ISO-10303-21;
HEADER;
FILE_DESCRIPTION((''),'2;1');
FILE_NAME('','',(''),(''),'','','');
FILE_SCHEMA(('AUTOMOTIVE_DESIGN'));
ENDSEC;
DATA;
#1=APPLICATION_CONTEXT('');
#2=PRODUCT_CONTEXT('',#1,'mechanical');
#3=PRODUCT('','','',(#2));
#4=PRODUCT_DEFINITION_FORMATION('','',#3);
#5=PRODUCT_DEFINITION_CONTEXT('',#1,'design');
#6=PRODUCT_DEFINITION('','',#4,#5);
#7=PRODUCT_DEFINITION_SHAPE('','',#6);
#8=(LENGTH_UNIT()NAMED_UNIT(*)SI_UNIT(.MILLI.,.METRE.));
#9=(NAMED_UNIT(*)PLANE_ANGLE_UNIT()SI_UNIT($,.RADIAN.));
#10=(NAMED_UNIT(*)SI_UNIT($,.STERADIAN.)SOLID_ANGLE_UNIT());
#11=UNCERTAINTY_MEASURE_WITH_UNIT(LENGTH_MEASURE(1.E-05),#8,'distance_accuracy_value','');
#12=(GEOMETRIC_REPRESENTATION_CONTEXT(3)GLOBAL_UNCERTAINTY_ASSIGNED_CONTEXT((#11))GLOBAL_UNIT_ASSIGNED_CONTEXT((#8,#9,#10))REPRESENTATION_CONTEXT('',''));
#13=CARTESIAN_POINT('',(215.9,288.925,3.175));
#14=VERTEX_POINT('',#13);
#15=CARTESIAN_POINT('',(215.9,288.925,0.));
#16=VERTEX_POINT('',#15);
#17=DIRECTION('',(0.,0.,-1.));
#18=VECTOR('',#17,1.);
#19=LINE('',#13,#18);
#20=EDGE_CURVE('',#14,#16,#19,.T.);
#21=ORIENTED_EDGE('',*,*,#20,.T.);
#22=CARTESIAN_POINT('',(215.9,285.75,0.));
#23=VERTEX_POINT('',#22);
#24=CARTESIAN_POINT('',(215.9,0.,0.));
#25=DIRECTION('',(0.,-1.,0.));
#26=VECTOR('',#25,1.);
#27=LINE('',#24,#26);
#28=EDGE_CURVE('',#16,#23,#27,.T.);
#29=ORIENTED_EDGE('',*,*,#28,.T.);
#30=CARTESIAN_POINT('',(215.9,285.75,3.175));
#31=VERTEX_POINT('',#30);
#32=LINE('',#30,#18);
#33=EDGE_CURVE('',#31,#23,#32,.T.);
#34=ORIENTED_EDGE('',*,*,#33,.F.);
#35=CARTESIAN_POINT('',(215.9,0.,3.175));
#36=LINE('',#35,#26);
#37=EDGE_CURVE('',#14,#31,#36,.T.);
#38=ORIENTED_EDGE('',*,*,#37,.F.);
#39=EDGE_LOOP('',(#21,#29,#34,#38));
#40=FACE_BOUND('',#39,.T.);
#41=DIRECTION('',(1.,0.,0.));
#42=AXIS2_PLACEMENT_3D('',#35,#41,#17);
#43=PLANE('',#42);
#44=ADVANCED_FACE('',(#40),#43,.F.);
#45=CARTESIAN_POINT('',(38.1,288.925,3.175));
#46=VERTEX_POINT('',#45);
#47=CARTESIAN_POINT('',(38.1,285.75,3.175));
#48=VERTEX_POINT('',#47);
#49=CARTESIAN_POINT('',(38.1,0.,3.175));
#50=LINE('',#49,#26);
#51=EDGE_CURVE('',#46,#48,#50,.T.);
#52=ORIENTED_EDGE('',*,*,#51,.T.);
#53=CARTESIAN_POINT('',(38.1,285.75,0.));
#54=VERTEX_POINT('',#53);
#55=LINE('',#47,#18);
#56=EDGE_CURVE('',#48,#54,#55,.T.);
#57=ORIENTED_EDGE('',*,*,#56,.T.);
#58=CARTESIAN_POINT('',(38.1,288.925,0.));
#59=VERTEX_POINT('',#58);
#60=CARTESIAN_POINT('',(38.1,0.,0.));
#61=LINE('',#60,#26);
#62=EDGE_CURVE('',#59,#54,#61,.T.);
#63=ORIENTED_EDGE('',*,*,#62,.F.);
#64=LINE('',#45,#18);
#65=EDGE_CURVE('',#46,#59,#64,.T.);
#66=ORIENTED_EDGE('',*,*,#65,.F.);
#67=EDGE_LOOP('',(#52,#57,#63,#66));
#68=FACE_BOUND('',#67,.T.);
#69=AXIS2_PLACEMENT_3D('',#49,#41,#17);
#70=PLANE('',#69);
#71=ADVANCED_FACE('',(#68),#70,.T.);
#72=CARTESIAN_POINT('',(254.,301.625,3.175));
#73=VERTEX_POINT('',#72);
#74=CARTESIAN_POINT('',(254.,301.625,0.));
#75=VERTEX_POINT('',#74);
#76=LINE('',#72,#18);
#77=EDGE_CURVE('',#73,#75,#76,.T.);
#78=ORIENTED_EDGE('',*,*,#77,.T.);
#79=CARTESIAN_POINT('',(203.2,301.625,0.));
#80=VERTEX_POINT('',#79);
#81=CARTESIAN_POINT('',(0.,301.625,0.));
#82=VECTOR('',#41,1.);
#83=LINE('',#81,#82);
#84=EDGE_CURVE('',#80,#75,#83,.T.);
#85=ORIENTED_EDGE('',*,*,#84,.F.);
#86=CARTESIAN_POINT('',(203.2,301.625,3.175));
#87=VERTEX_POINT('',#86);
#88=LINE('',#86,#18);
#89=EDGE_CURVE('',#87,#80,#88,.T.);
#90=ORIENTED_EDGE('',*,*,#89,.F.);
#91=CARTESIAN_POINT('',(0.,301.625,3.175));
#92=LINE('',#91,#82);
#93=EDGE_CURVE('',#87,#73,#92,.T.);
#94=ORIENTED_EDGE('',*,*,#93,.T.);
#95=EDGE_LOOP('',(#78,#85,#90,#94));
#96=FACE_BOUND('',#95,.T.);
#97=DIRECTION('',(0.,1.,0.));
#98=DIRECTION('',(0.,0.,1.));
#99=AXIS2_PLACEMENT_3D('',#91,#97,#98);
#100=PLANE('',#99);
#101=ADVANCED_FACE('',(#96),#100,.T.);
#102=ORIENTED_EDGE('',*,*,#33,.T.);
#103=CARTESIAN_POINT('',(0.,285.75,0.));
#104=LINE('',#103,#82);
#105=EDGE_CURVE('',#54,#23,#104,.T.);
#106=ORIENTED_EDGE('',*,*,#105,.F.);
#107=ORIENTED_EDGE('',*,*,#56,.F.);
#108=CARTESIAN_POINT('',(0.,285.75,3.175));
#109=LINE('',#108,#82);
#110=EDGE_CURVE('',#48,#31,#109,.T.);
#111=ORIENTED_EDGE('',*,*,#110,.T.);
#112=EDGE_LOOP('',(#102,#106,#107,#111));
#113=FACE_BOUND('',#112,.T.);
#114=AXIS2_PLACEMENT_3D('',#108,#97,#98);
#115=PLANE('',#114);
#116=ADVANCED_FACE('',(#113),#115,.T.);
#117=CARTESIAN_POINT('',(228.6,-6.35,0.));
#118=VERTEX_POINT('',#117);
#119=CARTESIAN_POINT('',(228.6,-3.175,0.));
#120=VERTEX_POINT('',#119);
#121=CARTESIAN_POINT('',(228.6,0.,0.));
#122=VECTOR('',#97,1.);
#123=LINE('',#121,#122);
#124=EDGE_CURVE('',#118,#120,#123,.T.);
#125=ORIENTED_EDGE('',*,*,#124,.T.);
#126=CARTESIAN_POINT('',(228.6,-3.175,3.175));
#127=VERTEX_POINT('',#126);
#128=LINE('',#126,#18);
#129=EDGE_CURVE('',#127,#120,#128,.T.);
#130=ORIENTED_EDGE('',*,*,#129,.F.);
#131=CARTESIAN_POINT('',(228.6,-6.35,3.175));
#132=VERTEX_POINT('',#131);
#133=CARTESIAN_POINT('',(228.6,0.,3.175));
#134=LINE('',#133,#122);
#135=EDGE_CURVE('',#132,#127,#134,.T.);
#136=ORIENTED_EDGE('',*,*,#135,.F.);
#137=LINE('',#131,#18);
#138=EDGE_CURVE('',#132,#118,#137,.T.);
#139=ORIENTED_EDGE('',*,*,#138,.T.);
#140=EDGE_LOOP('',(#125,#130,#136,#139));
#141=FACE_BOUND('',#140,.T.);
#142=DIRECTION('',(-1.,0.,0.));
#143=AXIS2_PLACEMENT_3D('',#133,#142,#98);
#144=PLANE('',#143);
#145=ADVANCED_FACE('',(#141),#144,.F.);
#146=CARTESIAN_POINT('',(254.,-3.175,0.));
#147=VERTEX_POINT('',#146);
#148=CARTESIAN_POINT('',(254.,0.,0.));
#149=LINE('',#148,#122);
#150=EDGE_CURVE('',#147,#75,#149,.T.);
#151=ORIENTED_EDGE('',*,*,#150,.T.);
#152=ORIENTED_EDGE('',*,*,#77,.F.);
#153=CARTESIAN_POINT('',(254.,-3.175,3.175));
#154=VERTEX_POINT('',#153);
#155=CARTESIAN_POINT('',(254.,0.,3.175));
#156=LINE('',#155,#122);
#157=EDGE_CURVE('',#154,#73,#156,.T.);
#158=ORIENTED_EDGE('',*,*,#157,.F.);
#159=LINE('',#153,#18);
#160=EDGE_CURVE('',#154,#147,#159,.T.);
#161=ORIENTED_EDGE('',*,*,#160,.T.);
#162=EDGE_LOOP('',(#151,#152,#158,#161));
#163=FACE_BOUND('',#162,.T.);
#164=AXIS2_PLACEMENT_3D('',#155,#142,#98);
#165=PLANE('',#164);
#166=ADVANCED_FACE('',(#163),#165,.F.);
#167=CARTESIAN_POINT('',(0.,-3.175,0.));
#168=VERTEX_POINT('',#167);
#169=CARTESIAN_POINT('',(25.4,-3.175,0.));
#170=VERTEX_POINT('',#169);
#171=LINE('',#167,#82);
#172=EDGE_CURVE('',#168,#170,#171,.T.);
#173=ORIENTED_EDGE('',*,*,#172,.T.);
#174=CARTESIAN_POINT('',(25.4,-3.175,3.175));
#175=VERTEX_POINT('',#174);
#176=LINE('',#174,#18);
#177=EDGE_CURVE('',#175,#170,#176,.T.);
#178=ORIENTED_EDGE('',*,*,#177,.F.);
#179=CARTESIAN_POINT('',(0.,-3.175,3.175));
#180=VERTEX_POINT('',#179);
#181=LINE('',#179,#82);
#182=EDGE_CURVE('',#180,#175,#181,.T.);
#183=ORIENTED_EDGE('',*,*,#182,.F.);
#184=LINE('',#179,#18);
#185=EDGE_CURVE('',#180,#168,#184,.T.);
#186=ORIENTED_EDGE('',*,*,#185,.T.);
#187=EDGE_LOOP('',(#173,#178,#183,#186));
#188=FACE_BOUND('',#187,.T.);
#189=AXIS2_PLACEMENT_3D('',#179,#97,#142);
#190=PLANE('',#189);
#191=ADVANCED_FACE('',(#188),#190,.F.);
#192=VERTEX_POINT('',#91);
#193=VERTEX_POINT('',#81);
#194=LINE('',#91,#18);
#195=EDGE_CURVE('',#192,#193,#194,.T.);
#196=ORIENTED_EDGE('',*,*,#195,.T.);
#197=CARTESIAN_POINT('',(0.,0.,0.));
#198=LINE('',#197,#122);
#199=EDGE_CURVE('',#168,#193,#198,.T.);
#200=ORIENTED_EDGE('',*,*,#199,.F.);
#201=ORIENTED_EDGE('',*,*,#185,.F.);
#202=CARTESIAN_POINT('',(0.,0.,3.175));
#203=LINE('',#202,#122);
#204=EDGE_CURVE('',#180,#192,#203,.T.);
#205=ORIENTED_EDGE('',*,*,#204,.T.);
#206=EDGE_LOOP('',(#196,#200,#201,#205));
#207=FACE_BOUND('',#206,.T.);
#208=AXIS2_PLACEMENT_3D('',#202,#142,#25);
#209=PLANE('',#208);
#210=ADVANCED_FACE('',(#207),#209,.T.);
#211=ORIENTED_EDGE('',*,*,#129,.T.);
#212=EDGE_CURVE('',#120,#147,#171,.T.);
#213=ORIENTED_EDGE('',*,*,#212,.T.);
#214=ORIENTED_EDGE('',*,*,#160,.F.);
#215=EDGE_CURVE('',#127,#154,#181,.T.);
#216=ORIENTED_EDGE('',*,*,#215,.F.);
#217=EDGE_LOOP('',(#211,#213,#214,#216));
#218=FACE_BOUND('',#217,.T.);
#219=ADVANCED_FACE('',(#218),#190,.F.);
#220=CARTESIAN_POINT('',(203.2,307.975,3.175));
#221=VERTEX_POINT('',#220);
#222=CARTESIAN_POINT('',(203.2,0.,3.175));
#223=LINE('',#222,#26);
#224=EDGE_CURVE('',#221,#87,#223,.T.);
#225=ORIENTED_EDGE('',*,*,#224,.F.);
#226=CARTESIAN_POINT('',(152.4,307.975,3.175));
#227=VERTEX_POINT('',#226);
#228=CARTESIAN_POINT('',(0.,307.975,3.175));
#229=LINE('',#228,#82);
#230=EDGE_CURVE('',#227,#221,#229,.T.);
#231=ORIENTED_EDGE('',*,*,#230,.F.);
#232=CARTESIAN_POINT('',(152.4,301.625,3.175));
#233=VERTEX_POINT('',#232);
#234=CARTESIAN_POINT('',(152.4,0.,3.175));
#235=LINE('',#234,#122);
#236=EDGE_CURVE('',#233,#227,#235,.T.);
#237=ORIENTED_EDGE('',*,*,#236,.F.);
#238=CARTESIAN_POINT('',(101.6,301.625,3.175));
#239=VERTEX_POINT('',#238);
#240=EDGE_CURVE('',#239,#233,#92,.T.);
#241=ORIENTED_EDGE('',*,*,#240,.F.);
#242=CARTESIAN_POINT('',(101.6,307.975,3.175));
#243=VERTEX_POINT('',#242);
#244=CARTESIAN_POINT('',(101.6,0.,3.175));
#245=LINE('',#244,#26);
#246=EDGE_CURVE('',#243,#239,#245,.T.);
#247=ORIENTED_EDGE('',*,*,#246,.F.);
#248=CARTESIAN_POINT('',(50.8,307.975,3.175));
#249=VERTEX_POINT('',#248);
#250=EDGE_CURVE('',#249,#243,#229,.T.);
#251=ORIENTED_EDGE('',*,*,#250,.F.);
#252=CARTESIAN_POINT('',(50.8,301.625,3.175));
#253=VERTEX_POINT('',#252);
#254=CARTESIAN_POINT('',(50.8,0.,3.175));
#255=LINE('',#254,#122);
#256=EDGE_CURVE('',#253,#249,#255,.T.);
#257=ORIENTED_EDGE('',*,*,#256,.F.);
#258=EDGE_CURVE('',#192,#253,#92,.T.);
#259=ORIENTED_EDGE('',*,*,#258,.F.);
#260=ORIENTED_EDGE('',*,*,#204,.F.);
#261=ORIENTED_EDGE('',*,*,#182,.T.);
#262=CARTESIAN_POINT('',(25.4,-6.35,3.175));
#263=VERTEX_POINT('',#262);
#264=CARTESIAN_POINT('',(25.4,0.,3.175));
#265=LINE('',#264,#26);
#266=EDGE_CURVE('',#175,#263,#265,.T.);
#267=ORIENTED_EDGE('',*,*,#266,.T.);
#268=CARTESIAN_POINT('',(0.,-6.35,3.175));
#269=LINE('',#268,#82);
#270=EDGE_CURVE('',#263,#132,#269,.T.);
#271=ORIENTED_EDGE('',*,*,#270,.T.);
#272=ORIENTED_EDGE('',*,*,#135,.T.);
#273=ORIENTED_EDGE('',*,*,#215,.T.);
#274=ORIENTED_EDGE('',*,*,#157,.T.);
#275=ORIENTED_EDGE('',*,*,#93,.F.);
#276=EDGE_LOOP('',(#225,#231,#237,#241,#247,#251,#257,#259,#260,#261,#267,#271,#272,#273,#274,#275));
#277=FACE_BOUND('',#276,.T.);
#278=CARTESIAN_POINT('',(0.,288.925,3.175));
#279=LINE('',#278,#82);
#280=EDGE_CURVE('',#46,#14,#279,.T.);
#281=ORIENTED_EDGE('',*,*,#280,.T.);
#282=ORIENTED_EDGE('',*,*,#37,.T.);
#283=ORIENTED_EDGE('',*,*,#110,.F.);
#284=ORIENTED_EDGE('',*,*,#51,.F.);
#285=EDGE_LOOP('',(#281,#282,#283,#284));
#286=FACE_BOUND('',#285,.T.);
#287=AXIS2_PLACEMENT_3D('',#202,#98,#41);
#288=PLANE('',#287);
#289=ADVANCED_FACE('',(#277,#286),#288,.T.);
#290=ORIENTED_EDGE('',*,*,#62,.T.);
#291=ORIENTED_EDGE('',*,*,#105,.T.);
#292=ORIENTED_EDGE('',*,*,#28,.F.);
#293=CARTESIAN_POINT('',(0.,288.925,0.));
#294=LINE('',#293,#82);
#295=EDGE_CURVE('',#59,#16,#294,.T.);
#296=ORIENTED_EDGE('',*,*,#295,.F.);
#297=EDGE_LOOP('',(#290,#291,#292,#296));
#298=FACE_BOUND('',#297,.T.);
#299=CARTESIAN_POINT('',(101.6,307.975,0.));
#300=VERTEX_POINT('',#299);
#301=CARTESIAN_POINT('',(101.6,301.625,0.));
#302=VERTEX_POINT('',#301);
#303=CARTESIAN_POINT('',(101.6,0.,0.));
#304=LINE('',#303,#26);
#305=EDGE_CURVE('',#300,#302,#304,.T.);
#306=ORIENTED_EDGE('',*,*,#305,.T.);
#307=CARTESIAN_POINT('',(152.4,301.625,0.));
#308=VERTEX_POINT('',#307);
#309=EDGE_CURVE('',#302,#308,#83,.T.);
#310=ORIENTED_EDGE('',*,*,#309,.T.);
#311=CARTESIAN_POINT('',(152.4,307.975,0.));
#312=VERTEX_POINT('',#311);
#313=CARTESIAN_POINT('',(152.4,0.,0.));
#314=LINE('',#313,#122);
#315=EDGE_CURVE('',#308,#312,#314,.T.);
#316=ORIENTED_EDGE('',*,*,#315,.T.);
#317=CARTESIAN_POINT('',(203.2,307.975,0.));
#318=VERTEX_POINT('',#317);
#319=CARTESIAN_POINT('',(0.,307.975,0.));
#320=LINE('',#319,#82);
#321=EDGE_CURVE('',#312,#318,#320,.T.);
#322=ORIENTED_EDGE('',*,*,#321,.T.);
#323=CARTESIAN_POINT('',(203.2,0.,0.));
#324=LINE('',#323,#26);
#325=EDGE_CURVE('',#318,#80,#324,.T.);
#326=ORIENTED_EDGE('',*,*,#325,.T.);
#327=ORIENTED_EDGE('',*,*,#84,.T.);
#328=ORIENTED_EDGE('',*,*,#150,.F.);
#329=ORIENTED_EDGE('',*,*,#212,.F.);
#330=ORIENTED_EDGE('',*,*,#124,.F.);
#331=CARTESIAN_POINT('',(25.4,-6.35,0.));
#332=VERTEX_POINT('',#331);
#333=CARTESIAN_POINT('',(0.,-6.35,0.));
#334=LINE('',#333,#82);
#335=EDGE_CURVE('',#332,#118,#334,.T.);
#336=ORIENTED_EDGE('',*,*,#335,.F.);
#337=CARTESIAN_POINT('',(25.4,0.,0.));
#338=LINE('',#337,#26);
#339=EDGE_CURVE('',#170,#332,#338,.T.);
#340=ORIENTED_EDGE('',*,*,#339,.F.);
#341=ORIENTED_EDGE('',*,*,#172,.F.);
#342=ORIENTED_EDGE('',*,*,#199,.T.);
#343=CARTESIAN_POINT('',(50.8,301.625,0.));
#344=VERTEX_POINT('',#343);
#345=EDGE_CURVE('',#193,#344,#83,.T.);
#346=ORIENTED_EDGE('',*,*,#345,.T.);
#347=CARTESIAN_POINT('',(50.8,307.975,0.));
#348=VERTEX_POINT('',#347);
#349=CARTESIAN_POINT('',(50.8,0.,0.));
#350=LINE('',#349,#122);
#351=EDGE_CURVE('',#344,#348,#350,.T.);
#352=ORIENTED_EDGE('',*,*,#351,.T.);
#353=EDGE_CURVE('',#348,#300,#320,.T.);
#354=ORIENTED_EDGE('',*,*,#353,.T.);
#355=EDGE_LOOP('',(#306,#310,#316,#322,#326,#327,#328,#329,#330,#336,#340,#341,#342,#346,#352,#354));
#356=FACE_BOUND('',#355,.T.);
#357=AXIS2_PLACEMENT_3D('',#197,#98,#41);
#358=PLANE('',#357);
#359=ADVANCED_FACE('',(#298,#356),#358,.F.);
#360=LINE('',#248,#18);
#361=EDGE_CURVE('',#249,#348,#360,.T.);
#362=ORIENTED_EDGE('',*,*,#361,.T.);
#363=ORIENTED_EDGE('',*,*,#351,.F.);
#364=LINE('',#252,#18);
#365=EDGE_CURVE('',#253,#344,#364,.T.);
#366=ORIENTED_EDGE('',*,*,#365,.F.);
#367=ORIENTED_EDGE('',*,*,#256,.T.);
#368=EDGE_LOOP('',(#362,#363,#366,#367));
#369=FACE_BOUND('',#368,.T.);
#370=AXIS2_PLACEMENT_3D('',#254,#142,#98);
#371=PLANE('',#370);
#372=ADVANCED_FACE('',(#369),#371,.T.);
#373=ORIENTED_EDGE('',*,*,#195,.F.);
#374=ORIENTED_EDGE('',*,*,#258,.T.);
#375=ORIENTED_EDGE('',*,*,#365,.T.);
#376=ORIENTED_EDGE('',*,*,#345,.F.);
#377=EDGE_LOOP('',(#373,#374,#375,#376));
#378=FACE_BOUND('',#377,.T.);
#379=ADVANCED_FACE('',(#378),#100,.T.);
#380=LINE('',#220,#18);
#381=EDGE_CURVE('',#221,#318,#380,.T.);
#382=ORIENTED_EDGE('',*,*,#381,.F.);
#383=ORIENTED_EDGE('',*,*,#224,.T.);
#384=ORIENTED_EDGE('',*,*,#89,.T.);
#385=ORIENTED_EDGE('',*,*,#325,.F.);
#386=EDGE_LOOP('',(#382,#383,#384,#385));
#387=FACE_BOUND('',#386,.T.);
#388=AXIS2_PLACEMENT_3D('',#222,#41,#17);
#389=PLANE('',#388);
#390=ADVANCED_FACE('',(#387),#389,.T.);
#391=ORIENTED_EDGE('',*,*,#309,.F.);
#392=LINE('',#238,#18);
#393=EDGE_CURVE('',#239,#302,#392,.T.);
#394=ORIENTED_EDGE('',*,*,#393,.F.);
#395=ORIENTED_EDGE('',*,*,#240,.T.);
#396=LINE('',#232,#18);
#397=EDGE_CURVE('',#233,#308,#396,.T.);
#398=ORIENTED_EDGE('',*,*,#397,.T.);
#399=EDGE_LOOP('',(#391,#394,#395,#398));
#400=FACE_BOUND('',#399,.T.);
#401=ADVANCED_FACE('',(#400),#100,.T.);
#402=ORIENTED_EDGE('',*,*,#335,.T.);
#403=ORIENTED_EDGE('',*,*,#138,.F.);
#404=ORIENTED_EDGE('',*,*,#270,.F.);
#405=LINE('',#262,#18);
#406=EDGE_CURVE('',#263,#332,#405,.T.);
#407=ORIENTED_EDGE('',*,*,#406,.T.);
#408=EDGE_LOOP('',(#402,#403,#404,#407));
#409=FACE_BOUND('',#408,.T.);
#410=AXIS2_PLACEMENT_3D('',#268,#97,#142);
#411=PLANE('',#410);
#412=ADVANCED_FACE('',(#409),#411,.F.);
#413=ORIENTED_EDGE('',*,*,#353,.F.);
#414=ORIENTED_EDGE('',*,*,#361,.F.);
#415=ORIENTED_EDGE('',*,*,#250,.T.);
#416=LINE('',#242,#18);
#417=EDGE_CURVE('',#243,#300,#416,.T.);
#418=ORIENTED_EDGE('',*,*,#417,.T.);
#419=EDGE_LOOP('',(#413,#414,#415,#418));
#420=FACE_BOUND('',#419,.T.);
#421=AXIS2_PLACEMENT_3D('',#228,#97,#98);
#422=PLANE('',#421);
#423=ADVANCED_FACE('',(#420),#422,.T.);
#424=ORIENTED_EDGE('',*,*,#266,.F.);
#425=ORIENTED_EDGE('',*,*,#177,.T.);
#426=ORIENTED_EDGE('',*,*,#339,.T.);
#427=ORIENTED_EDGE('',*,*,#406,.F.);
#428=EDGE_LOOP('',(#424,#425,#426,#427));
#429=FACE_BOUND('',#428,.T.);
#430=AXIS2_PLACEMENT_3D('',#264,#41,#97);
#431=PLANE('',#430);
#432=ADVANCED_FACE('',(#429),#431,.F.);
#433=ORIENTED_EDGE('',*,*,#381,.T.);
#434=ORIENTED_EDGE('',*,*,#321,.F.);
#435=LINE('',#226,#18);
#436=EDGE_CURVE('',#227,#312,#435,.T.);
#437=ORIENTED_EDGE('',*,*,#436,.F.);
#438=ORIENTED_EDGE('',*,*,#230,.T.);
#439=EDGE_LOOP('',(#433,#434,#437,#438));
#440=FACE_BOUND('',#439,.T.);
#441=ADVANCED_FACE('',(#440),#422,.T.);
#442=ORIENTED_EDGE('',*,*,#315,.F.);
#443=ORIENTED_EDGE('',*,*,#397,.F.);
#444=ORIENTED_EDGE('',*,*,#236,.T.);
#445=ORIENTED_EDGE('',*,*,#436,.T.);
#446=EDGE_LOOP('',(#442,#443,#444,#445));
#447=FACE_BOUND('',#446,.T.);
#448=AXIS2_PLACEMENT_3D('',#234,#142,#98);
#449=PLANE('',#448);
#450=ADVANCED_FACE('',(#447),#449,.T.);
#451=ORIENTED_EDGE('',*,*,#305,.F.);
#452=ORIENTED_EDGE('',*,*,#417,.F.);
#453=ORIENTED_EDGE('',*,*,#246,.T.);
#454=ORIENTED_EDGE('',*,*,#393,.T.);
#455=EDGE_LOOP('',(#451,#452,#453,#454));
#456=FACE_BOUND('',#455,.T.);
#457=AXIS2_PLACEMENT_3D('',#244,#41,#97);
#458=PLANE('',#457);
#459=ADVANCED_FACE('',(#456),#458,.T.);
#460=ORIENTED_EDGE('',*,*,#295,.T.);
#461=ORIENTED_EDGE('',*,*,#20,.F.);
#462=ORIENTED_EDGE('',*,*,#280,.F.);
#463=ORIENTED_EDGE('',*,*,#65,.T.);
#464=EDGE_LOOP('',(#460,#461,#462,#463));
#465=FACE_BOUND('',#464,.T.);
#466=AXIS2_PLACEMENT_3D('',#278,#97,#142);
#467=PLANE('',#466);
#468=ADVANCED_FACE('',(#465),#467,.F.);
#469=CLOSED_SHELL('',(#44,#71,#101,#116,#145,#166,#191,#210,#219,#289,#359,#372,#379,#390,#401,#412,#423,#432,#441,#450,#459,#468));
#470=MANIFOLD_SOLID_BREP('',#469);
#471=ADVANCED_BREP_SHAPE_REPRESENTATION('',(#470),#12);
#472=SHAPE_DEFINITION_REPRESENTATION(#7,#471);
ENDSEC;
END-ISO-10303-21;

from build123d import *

# Parameters (mm, degrees)
SKETCH1_W           = 177.8
SKETCH1_H           = 3.175
BOSS_EXTRUDE1_DEPTH = 3.175


with BuildPart() as part:
    # Sketch1 → Boss-Extrude1 (new body)
    with BuildSketch(Plane.XY):
        Polygon((228.6, -6.35), (228.6, -3.175), (254, -3.175), (254, 301.625), (203.2, 301.625), (203.2, 307.975), (152.4, 307.975), (152.4, 301.625), (101.6, 301.625), (101.6, 307.975), (50.8, 307.975), (50.8, 301.625), (0, 301.625), (0, -3.175), (25.4, -3.175), (25.4, -6.35), align=None)
        with Locations((127, 287.3375)):
            Rectangle(SKETCH1_W, SKETCH1_H, mode=Mode.SUBTRACT)
    extrude(amount=BOSS_EXTRUDE1_DEPTH)


solid = part.part
